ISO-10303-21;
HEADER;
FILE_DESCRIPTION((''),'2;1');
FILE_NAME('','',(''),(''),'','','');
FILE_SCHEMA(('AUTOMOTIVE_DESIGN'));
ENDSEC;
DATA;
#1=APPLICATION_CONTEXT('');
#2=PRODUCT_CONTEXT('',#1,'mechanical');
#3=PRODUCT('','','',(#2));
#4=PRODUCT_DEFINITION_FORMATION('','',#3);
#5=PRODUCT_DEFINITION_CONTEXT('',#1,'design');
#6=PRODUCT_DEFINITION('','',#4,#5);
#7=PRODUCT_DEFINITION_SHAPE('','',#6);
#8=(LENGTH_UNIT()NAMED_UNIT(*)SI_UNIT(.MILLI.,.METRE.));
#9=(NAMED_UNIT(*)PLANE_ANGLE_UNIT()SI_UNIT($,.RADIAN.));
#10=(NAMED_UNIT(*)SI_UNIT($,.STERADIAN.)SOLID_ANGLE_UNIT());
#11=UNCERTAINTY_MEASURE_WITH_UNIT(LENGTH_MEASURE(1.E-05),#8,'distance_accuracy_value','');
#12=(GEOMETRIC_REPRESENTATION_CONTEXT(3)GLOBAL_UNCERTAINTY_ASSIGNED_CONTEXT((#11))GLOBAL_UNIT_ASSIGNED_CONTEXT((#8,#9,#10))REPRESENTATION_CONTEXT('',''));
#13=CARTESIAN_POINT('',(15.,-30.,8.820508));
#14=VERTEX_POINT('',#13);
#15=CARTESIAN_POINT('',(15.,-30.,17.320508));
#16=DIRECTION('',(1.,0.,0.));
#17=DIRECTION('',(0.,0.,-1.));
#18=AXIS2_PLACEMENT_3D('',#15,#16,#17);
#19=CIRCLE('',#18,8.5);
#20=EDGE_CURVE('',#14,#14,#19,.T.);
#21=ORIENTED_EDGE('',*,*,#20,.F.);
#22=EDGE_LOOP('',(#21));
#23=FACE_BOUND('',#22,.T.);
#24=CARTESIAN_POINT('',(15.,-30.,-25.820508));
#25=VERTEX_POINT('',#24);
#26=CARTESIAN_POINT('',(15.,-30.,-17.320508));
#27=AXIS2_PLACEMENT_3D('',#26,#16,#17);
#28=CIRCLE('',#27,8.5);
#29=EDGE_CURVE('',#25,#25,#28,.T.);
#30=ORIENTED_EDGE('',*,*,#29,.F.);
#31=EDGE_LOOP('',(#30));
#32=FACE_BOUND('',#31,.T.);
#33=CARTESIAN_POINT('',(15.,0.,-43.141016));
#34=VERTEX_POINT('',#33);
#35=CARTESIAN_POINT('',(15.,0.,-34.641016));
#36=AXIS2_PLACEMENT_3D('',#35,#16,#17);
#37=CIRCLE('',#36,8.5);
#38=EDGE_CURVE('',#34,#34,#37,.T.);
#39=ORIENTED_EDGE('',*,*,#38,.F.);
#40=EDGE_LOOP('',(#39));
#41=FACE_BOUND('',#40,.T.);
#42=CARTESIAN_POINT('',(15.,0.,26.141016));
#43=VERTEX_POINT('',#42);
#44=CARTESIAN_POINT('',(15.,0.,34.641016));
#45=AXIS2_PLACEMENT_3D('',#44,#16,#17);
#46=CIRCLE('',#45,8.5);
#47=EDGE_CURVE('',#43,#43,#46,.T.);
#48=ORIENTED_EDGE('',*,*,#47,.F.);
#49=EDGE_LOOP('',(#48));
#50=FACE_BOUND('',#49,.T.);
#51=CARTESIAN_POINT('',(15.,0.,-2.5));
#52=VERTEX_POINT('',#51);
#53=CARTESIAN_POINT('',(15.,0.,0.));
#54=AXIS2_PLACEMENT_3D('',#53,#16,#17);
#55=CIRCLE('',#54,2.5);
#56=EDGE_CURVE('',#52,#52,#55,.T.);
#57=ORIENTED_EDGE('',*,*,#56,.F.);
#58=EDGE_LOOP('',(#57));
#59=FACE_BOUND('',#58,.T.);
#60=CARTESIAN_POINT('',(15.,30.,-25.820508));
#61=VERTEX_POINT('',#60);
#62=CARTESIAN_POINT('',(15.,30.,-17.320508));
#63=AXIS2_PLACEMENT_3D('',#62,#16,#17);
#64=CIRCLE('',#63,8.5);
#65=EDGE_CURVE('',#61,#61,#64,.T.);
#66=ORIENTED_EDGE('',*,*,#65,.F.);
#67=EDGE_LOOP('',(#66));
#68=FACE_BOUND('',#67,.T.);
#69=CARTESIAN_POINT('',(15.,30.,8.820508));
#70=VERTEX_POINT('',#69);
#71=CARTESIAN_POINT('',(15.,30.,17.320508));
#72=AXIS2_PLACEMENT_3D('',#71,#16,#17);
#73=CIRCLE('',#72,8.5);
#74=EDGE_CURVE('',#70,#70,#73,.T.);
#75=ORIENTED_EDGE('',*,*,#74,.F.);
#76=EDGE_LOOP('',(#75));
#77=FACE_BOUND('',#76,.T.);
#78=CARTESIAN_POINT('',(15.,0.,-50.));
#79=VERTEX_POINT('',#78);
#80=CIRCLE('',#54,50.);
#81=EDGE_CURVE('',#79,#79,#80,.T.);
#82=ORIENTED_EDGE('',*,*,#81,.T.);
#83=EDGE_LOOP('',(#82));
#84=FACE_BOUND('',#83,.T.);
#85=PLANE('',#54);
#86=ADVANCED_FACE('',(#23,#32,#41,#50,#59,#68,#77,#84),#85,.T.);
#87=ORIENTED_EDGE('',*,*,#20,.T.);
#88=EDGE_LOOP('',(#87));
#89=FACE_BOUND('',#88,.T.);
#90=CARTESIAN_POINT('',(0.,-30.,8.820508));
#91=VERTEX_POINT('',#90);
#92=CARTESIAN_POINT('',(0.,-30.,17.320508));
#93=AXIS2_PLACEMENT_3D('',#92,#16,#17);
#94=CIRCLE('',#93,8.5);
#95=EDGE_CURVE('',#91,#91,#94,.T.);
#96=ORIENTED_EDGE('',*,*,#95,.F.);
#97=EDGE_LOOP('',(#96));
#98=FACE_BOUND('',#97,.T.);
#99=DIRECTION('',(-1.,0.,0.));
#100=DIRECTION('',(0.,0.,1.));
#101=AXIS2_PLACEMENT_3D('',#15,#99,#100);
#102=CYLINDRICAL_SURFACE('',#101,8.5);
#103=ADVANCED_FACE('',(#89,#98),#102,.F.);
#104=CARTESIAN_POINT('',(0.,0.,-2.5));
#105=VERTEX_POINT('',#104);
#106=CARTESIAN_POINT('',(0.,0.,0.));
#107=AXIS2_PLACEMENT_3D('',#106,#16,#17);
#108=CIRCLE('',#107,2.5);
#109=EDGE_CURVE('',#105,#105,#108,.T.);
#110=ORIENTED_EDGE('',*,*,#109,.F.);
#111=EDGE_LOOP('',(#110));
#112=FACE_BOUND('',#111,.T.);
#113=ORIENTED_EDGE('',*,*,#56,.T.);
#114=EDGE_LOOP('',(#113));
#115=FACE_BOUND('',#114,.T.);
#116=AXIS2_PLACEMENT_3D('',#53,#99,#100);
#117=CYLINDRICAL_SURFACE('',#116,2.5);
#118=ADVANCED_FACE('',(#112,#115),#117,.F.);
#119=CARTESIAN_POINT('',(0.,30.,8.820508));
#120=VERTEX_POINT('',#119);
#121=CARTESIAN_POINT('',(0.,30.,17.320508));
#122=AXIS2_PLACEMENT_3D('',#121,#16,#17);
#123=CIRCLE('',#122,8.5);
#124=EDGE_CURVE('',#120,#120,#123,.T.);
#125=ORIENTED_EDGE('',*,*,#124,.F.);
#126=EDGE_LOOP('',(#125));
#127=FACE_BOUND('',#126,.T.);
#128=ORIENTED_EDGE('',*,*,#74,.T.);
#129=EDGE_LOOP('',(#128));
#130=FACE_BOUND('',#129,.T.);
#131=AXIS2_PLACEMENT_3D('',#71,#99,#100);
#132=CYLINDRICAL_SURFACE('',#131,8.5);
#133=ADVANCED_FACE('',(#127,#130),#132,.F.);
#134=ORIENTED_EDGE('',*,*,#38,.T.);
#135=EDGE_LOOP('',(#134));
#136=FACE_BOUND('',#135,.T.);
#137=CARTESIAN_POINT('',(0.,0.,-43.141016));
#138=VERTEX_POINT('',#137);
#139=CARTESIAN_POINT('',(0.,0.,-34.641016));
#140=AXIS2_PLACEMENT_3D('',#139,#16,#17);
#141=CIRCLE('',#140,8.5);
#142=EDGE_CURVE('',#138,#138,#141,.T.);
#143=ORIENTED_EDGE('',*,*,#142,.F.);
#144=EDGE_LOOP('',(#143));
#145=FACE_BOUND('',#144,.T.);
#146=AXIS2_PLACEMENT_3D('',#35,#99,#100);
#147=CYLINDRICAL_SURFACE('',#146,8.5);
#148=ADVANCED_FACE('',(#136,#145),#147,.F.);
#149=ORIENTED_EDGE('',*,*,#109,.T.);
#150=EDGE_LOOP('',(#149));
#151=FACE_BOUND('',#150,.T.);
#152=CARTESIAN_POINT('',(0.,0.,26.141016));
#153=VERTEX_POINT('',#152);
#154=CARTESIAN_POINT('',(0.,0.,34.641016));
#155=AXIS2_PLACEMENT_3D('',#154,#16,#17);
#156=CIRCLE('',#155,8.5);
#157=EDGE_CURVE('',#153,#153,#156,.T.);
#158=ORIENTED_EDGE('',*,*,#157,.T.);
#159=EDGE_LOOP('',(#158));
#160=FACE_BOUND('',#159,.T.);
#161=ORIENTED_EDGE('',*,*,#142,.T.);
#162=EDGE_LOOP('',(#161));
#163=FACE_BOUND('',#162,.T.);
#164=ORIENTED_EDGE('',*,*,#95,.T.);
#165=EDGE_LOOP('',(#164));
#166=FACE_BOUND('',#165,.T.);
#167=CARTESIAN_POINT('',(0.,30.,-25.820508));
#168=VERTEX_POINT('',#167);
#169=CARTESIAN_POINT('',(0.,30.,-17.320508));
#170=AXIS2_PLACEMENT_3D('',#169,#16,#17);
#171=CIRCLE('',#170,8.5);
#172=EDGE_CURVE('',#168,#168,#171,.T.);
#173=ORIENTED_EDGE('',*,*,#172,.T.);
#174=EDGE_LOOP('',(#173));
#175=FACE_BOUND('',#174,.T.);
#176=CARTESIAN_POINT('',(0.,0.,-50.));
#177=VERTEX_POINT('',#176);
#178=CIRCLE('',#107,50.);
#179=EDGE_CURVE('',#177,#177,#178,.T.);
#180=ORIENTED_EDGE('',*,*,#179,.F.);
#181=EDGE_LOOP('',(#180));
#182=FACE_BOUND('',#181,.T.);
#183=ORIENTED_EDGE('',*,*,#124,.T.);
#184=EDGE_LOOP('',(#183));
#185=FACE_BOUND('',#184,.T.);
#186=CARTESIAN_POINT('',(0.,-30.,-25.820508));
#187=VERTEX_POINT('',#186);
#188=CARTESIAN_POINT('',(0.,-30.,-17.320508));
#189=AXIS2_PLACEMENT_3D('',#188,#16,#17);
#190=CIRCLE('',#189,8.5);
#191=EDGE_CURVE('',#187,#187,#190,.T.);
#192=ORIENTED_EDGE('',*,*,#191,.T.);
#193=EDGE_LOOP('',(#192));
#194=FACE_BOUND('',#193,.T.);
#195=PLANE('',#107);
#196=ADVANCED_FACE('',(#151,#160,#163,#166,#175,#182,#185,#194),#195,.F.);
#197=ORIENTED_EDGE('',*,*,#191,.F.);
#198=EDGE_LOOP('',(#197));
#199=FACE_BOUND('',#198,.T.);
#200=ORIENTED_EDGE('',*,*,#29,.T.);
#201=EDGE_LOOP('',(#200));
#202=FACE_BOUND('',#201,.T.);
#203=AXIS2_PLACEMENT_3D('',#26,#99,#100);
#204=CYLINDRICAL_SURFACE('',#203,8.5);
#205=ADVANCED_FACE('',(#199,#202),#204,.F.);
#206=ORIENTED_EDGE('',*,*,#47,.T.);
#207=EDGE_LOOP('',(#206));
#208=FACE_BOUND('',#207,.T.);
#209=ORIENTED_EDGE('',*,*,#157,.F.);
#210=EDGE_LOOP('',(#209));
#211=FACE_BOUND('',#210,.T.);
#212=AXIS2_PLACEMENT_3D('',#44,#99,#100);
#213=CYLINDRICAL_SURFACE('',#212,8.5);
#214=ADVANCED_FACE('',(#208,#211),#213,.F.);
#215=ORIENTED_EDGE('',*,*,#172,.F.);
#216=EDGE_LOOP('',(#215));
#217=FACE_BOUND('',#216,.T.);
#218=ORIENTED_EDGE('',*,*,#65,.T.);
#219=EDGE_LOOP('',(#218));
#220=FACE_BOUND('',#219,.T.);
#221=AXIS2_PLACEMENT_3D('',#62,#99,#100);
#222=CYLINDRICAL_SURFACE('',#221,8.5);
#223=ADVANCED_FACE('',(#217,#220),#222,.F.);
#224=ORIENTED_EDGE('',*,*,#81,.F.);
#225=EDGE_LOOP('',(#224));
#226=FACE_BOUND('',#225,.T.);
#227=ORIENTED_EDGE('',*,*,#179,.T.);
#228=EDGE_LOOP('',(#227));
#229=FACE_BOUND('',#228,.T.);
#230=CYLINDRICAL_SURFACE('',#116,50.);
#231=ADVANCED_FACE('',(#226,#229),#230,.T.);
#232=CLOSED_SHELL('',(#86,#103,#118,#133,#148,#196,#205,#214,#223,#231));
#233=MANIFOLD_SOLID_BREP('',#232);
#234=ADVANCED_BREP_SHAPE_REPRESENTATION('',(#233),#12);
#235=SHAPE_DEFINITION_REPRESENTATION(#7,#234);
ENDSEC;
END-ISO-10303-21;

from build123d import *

# Parameters (mm, degrees)
SKETCH_1_R      = 50
SKETCH_1_R_2    = 8.5
SKETCH_1_R_3    = 2.5
EXTRUDE_1_DEPTH = 15


with BuildPart() as part:
    # 草圖1 → 填料-伸長1 (new body)
    with BuildSketch(Plane(origin=(0, 0, 0), x_dir=(0, 0, -1), z_dir=(1, 0, 0))):
        Circle(SKETCH_1_R)
        with Locations((17.320508076, 30)):
            Circle(SKETCH_1_R_2, mode=Mode.SUBTRACT)
        with Locations((34.641016151, 0)):
            Circle(SKETCH_1_R_2, mode=Mode.SUBTRACT)
        with Locations((17.320508076, -30)):
            Circle(SKETCH_1_R_2, mode=Mode.SUBTRACT)
        with Locations((-17.320508076, -30)):
            Circle(SKETCH_1_R_2, mode=Mode.SUBTRACT)
        with Locations((-34.641016151, 0)):
            Circle(SKETCH_1_R_2, mode=Mode.SUBTRACT)
        with Locations((-17.320508076, 30)):
            Circle(SKETCH_1_R_2, mode=Mode.SUBTRACT)
        Circle(SKETCH_1_R_3, mode=Mode.SUBTRACT)
    extrude(amount=EXTRUDE_1_DEPTH)


solid = part.part
